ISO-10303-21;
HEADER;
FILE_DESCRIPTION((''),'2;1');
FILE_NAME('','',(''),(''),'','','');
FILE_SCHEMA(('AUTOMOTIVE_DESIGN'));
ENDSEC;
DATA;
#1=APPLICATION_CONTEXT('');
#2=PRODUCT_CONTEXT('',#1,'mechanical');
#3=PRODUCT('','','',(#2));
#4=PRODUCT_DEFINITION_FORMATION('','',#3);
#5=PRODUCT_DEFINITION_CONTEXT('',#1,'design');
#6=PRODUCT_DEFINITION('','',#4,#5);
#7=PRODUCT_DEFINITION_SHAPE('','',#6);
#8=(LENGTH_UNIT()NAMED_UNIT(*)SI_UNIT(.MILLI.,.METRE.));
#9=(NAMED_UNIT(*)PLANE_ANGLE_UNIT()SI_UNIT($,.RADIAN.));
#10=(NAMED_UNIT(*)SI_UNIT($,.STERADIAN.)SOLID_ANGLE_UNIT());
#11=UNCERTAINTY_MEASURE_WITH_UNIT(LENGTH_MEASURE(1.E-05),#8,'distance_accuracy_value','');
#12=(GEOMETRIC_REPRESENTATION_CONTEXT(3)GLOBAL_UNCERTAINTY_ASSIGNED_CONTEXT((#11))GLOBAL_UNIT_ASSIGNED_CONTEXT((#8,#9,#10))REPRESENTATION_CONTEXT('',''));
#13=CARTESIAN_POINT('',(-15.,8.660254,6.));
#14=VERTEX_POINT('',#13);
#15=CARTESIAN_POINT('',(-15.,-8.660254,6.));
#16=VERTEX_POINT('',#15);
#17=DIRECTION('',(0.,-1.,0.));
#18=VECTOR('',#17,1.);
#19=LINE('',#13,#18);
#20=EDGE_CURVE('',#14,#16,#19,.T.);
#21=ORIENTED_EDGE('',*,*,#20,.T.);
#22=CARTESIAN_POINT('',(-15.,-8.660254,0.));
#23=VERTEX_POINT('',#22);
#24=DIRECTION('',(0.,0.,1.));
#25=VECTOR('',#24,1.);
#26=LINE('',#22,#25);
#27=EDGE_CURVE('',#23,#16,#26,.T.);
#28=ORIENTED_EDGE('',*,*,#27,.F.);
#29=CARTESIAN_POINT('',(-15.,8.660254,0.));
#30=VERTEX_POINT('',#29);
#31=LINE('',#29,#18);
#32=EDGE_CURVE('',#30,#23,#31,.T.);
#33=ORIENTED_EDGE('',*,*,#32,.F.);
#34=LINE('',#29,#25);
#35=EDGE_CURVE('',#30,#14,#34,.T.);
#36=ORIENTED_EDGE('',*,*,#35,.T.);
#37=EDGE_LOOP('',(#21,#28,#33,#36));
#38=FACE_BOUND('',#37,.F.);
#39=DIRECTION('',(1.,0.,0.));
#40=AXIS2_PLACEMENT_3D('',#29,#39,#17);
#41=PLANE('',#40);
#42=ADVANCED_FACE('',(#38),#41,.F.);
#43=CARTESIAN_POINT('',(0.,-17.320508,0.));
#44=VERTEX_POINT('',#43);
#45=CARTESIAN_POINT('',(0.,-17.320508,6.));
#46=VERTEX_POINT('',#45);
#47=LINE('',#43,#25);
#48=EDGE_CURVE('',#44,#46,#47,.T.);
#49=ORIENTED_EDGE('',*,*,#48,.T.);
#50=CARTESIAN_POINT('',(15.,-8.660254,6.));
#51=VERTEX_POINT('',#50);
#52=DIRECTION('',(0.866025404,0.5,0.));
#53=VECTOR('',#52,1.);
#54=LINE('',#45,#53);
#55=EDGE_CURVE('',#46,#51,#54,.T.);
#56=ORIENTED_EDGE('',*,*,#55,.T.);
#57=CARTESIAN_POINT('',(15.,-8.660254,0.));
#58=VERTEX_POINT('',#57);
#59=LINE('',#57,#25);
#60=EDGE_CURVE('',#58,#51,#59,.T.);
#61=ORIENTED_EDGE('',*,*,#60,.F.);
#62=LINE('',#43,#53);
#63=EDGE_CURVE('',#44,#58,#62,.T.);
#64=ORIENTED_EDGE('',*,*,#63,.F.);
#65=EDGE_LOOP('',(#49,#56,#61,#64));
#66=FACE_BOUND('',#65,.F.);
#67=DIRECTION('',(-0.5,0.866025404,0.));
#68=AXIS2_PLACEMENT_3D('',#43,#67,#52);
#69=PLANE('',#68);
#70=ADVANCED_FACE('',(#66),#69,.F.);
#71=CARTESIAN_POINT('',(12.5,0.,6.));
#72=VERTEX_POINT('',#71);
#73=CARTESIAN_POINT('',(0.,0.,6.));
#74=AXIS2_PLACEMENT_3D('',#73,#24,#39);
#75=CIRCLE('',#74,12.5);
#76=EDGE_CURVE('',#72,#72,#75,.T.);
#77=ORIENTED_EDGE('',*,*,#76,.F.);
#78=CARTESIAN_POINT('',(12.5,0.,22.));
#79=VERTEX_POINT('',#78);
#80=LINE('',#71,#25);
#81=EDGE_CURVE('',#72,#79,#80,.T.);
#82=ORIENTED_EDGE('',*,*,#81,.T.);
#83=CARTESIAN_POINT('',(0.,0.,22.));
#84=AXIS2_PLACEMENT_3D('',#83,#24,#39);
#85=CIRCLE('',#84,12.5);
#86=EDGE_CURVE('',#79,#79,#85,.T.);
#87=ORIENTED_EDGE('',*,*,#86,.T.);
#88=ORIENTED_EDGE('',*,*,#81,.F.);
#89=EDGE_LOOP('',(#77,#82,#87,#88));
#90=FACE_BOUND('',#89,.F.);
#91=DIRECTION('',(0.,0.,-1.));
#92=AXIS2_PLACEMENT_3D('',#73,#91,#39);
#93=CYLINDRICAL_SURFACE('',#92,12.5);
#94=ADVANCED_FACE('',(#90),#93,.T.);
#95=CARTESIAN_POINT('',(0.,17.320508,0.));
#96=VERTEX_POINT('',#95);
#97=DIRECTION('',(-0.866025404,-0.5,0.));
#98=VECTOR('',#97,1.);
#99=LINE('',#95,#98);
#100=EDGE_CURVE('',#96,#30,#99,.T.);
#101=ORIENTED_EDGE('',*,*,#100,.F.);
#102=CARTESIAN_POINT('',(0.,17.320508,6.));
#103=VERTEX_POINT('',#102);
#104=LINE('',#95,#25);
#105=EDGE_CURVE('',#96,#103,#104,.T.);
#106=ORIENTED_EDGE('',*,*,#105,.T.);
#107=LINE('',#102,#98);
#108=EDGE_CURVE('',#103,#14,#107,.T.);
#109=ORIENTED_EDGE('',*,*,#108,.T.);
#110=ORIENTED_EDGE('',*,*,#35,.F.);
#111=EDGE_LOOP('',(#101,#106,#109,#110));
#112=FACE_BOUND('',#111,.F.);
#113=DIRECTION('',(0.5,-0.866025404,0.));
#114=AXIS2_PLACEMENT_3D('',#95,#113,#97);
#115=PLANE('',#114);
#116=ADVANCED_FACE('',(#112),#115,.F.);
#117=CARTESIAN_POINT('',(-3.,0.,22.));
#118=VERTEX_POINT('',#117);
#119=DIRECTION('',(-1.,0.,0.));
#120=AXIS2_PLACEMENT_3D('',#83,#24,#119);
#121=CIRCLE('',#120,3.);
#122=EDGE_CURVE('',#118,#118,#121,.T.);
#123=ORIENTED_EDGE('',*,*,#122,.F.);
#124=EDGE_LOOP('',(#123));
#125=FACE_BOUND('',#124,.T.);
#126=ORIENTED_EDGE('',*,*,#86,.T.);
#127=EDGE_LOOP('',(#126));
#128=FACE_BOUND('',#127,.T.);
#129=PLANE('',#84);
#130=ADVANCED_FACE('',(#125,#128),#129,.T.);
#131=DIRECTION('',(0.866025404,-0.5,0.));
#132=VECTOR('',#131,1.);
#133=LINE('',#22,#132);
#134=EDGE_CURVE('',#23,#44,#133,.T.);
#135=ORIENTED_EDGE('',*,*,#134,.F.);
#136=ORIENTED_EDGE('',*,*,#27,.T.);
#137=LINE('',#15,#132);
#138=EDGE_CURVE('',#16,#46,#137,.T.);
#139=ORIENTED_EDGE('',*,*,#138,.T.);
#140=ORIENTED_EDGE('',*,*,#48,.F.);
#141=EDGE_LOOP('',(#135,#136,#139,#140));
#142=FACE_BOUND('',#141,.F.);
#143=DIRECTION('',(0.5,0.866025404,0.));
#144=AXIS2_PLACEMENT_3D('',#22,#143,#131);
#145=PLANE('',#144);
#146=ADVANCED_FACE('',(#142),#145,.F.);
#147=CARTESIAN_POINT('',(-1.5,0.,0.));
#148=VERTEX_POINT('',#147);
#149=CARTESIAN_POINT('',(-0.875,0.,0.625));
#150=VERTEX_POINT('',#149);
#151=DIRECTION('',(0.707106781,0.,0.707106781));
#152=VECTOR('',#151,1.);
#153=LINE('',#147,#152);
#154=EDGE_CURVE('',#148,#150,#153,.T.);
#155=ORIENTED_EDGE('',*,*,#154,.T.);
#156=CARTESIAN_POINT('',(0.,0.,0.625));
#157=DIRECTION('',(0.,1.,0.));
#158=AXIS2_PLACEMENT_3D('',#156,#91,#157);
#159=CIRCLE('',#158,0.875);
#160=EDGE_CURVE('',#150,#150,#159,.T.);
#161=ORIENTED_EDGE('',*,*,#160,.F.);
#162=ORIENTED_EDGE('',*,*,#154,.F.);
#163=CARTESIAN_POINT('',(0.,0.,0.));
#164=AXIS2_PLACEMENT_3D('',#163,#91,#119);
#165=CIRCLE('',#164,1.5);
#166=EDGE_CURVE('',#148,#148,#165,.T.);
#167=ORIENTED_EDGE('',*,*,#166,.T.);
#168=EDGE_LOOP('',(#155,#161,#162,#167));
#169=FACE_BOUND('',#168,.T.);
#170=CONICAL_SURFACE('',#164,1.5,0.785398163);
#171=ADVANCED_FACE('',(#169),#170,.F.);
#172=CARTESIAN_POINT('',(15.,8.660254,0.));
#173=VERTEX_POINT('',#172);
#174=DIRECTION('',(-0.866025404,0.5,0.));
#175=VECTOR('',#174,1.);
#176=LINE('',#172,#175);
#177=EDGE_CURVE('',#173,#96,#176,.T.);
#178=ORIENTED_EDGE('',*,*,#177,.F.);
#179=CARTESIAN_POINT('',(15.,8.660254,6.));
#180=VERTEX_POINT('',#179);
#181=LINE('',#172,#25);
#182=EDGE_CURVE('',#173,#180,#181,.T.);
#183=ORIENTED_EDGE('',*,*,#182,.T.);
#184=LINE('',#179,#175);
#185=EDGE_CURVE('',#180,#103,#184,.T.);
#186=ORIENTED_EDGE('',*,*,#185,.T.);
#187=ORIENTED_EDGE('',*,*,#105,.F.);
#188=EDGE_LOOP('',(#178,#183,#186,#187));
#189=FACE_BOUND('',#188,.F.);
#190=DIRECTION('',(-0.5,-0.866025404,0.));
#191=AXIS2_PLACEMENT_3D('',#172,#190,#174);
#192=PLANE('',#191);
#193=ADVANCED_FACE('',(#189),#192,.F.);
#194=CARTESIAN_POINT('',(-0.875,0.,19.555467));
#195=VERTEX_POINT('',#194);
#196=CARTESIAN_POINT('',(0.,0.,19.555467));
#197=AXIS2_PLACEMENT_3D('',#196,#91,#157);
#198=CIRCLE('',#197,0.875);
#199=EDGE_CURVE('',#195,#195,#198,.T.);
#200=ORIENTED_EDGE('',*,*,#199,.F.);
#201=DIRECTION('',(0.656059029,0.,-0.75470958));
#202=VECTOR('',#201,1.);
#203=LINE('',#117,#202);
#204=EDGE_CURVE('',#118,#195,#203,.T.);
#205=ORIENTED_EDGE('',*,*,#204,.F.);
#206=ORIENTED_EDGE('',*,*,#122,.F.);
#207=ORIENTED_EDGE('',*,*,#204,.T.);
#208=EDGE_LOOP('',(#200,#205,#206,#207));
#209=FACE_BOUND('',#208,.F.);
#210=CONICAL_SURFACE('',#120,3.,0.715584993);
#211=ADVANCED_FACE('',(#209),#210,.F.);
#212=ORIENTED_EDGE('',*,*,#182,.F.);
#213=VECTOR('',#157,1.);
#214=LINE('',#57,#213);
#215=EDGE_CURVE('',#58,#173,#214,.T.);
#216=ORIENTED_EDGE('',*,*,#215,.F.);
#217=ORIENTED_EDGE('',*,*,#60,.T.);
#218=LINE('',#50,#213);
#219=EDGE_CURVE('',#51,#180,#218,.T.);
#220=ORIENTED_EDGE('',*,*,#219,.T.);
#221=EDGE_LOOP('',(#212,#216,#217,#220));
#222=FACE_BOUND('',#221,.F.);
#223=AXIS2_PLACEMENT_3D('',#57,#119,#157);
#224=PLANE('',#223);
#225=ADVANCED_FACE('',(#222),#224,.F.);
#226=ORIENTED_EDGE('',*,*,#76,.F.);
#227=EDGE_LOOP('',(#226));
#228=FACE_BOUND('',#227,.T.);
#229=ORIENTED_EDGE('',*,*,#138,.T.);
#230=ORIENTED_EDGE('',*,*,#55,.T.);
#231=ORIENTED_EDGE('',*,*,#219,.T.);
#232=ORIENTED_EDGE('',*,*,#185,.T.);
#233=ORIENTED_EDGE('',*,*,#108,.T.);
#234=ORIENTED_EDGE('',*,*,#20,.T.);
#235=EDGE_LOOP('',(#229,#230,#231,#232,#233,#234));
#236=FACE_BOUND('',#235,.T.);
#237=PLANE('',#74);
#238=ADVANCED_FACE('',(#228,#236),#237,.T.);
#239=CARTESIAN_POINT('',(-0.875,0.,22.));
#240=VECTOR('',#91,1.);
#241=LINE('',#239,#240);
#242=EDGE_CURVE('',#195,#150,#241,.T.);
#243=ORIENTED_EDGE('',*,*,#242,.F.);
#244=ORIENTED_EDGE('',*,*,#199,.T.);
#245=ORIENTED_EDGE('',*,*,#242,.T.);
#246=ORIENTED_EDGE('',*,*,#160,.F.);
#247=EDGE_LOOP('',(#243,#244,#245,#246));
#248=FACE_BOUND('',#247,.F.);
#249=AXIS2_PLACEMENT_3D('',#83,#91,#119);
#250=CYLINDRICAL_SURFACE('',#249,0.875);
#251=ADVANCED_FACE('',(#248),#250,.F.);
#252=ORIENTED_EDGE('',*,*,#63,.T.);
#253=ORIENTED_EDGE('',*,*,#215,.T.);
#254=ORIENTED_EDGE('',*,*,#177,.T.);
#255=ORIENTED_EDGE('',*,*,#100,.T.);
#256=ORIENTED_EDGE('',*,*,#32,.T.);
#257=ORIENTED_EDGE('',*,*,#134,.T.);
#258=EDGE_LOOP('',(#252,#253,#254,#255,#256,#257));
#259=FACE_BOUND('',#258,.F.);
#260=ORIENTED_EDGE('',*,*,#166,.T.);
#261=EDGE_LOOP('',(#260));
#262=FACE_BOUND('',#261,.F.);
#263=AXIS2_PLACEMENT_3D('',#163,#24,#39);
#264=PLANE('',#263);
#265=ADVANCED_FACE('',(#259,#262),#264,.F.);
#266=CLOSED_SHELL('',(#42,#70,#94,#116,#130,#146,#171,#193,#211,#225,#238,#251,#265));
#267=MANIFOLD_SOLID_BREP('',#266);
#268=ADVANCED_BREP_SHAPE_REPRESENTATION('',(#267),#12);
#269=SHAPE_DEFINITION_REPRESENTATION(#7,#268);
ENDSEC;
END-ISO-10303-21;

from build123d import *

# Parameters (mm, degrees)
ESTRUSIONE_ESTRUSIONE1_DEPTH = 6
SCHIZZO2_R                   = 12.5
ESTRUSIONE_ESTRUSIONE2_DEPTH = 16
FORO1_D                      = 1.75
FORO1_CSINK_D                = 6
FORO1_CSINK_ANGLE            = 82


with BuildPart() as part:
    # Schizzo1 → Estrusione-Estrusione1 (new body)
    with BuildSketch(Plane.XY):
        Polygon((0, 17.320508076), (-15, 8.660254038), (-15, -8.660254038), (0, -17.320508076), (15, -8.660254038), (15, 8.660254038), align=None)
    extrude(amount=ESTRUSIONE_ESTRUSIONE1_DEPTH)

    # Schizzo2 → Estrusione-Estrusione2 (add)
    with BuildSketch(Plane.XY.offset(6)):
        Circle(SCHIZZO2_R)
    extrude(amount=ESTRUSIONE_ESTRUSIONE2_DEPTH)

    # Foro1 (through all)
    with Locations(Plane.XY.offset(22)):
        with Locations((0, 0)):
            CounterSinkHole(FORO1_D / 2, FORO1_CSINK_D / 2, counter_sink_angle=FORO1_CSINK_ANGLE)

    # Schizzo7 → Taglia-Rivoluzione1 (revolve, cut)
    with BuildSketch(Plane(origin=(0, 0, 0), x_dir=(1, 0, 0), z_dir=(0, 1, 0))):
        Polygon((-1.5, 0), (0, -1.5), (0, 0), align=None)
    revolve(axis=Axis((0, 0, 1.5), (0, 0, -1)), mode=Mode.SUBTRACT)


solid = part.part
